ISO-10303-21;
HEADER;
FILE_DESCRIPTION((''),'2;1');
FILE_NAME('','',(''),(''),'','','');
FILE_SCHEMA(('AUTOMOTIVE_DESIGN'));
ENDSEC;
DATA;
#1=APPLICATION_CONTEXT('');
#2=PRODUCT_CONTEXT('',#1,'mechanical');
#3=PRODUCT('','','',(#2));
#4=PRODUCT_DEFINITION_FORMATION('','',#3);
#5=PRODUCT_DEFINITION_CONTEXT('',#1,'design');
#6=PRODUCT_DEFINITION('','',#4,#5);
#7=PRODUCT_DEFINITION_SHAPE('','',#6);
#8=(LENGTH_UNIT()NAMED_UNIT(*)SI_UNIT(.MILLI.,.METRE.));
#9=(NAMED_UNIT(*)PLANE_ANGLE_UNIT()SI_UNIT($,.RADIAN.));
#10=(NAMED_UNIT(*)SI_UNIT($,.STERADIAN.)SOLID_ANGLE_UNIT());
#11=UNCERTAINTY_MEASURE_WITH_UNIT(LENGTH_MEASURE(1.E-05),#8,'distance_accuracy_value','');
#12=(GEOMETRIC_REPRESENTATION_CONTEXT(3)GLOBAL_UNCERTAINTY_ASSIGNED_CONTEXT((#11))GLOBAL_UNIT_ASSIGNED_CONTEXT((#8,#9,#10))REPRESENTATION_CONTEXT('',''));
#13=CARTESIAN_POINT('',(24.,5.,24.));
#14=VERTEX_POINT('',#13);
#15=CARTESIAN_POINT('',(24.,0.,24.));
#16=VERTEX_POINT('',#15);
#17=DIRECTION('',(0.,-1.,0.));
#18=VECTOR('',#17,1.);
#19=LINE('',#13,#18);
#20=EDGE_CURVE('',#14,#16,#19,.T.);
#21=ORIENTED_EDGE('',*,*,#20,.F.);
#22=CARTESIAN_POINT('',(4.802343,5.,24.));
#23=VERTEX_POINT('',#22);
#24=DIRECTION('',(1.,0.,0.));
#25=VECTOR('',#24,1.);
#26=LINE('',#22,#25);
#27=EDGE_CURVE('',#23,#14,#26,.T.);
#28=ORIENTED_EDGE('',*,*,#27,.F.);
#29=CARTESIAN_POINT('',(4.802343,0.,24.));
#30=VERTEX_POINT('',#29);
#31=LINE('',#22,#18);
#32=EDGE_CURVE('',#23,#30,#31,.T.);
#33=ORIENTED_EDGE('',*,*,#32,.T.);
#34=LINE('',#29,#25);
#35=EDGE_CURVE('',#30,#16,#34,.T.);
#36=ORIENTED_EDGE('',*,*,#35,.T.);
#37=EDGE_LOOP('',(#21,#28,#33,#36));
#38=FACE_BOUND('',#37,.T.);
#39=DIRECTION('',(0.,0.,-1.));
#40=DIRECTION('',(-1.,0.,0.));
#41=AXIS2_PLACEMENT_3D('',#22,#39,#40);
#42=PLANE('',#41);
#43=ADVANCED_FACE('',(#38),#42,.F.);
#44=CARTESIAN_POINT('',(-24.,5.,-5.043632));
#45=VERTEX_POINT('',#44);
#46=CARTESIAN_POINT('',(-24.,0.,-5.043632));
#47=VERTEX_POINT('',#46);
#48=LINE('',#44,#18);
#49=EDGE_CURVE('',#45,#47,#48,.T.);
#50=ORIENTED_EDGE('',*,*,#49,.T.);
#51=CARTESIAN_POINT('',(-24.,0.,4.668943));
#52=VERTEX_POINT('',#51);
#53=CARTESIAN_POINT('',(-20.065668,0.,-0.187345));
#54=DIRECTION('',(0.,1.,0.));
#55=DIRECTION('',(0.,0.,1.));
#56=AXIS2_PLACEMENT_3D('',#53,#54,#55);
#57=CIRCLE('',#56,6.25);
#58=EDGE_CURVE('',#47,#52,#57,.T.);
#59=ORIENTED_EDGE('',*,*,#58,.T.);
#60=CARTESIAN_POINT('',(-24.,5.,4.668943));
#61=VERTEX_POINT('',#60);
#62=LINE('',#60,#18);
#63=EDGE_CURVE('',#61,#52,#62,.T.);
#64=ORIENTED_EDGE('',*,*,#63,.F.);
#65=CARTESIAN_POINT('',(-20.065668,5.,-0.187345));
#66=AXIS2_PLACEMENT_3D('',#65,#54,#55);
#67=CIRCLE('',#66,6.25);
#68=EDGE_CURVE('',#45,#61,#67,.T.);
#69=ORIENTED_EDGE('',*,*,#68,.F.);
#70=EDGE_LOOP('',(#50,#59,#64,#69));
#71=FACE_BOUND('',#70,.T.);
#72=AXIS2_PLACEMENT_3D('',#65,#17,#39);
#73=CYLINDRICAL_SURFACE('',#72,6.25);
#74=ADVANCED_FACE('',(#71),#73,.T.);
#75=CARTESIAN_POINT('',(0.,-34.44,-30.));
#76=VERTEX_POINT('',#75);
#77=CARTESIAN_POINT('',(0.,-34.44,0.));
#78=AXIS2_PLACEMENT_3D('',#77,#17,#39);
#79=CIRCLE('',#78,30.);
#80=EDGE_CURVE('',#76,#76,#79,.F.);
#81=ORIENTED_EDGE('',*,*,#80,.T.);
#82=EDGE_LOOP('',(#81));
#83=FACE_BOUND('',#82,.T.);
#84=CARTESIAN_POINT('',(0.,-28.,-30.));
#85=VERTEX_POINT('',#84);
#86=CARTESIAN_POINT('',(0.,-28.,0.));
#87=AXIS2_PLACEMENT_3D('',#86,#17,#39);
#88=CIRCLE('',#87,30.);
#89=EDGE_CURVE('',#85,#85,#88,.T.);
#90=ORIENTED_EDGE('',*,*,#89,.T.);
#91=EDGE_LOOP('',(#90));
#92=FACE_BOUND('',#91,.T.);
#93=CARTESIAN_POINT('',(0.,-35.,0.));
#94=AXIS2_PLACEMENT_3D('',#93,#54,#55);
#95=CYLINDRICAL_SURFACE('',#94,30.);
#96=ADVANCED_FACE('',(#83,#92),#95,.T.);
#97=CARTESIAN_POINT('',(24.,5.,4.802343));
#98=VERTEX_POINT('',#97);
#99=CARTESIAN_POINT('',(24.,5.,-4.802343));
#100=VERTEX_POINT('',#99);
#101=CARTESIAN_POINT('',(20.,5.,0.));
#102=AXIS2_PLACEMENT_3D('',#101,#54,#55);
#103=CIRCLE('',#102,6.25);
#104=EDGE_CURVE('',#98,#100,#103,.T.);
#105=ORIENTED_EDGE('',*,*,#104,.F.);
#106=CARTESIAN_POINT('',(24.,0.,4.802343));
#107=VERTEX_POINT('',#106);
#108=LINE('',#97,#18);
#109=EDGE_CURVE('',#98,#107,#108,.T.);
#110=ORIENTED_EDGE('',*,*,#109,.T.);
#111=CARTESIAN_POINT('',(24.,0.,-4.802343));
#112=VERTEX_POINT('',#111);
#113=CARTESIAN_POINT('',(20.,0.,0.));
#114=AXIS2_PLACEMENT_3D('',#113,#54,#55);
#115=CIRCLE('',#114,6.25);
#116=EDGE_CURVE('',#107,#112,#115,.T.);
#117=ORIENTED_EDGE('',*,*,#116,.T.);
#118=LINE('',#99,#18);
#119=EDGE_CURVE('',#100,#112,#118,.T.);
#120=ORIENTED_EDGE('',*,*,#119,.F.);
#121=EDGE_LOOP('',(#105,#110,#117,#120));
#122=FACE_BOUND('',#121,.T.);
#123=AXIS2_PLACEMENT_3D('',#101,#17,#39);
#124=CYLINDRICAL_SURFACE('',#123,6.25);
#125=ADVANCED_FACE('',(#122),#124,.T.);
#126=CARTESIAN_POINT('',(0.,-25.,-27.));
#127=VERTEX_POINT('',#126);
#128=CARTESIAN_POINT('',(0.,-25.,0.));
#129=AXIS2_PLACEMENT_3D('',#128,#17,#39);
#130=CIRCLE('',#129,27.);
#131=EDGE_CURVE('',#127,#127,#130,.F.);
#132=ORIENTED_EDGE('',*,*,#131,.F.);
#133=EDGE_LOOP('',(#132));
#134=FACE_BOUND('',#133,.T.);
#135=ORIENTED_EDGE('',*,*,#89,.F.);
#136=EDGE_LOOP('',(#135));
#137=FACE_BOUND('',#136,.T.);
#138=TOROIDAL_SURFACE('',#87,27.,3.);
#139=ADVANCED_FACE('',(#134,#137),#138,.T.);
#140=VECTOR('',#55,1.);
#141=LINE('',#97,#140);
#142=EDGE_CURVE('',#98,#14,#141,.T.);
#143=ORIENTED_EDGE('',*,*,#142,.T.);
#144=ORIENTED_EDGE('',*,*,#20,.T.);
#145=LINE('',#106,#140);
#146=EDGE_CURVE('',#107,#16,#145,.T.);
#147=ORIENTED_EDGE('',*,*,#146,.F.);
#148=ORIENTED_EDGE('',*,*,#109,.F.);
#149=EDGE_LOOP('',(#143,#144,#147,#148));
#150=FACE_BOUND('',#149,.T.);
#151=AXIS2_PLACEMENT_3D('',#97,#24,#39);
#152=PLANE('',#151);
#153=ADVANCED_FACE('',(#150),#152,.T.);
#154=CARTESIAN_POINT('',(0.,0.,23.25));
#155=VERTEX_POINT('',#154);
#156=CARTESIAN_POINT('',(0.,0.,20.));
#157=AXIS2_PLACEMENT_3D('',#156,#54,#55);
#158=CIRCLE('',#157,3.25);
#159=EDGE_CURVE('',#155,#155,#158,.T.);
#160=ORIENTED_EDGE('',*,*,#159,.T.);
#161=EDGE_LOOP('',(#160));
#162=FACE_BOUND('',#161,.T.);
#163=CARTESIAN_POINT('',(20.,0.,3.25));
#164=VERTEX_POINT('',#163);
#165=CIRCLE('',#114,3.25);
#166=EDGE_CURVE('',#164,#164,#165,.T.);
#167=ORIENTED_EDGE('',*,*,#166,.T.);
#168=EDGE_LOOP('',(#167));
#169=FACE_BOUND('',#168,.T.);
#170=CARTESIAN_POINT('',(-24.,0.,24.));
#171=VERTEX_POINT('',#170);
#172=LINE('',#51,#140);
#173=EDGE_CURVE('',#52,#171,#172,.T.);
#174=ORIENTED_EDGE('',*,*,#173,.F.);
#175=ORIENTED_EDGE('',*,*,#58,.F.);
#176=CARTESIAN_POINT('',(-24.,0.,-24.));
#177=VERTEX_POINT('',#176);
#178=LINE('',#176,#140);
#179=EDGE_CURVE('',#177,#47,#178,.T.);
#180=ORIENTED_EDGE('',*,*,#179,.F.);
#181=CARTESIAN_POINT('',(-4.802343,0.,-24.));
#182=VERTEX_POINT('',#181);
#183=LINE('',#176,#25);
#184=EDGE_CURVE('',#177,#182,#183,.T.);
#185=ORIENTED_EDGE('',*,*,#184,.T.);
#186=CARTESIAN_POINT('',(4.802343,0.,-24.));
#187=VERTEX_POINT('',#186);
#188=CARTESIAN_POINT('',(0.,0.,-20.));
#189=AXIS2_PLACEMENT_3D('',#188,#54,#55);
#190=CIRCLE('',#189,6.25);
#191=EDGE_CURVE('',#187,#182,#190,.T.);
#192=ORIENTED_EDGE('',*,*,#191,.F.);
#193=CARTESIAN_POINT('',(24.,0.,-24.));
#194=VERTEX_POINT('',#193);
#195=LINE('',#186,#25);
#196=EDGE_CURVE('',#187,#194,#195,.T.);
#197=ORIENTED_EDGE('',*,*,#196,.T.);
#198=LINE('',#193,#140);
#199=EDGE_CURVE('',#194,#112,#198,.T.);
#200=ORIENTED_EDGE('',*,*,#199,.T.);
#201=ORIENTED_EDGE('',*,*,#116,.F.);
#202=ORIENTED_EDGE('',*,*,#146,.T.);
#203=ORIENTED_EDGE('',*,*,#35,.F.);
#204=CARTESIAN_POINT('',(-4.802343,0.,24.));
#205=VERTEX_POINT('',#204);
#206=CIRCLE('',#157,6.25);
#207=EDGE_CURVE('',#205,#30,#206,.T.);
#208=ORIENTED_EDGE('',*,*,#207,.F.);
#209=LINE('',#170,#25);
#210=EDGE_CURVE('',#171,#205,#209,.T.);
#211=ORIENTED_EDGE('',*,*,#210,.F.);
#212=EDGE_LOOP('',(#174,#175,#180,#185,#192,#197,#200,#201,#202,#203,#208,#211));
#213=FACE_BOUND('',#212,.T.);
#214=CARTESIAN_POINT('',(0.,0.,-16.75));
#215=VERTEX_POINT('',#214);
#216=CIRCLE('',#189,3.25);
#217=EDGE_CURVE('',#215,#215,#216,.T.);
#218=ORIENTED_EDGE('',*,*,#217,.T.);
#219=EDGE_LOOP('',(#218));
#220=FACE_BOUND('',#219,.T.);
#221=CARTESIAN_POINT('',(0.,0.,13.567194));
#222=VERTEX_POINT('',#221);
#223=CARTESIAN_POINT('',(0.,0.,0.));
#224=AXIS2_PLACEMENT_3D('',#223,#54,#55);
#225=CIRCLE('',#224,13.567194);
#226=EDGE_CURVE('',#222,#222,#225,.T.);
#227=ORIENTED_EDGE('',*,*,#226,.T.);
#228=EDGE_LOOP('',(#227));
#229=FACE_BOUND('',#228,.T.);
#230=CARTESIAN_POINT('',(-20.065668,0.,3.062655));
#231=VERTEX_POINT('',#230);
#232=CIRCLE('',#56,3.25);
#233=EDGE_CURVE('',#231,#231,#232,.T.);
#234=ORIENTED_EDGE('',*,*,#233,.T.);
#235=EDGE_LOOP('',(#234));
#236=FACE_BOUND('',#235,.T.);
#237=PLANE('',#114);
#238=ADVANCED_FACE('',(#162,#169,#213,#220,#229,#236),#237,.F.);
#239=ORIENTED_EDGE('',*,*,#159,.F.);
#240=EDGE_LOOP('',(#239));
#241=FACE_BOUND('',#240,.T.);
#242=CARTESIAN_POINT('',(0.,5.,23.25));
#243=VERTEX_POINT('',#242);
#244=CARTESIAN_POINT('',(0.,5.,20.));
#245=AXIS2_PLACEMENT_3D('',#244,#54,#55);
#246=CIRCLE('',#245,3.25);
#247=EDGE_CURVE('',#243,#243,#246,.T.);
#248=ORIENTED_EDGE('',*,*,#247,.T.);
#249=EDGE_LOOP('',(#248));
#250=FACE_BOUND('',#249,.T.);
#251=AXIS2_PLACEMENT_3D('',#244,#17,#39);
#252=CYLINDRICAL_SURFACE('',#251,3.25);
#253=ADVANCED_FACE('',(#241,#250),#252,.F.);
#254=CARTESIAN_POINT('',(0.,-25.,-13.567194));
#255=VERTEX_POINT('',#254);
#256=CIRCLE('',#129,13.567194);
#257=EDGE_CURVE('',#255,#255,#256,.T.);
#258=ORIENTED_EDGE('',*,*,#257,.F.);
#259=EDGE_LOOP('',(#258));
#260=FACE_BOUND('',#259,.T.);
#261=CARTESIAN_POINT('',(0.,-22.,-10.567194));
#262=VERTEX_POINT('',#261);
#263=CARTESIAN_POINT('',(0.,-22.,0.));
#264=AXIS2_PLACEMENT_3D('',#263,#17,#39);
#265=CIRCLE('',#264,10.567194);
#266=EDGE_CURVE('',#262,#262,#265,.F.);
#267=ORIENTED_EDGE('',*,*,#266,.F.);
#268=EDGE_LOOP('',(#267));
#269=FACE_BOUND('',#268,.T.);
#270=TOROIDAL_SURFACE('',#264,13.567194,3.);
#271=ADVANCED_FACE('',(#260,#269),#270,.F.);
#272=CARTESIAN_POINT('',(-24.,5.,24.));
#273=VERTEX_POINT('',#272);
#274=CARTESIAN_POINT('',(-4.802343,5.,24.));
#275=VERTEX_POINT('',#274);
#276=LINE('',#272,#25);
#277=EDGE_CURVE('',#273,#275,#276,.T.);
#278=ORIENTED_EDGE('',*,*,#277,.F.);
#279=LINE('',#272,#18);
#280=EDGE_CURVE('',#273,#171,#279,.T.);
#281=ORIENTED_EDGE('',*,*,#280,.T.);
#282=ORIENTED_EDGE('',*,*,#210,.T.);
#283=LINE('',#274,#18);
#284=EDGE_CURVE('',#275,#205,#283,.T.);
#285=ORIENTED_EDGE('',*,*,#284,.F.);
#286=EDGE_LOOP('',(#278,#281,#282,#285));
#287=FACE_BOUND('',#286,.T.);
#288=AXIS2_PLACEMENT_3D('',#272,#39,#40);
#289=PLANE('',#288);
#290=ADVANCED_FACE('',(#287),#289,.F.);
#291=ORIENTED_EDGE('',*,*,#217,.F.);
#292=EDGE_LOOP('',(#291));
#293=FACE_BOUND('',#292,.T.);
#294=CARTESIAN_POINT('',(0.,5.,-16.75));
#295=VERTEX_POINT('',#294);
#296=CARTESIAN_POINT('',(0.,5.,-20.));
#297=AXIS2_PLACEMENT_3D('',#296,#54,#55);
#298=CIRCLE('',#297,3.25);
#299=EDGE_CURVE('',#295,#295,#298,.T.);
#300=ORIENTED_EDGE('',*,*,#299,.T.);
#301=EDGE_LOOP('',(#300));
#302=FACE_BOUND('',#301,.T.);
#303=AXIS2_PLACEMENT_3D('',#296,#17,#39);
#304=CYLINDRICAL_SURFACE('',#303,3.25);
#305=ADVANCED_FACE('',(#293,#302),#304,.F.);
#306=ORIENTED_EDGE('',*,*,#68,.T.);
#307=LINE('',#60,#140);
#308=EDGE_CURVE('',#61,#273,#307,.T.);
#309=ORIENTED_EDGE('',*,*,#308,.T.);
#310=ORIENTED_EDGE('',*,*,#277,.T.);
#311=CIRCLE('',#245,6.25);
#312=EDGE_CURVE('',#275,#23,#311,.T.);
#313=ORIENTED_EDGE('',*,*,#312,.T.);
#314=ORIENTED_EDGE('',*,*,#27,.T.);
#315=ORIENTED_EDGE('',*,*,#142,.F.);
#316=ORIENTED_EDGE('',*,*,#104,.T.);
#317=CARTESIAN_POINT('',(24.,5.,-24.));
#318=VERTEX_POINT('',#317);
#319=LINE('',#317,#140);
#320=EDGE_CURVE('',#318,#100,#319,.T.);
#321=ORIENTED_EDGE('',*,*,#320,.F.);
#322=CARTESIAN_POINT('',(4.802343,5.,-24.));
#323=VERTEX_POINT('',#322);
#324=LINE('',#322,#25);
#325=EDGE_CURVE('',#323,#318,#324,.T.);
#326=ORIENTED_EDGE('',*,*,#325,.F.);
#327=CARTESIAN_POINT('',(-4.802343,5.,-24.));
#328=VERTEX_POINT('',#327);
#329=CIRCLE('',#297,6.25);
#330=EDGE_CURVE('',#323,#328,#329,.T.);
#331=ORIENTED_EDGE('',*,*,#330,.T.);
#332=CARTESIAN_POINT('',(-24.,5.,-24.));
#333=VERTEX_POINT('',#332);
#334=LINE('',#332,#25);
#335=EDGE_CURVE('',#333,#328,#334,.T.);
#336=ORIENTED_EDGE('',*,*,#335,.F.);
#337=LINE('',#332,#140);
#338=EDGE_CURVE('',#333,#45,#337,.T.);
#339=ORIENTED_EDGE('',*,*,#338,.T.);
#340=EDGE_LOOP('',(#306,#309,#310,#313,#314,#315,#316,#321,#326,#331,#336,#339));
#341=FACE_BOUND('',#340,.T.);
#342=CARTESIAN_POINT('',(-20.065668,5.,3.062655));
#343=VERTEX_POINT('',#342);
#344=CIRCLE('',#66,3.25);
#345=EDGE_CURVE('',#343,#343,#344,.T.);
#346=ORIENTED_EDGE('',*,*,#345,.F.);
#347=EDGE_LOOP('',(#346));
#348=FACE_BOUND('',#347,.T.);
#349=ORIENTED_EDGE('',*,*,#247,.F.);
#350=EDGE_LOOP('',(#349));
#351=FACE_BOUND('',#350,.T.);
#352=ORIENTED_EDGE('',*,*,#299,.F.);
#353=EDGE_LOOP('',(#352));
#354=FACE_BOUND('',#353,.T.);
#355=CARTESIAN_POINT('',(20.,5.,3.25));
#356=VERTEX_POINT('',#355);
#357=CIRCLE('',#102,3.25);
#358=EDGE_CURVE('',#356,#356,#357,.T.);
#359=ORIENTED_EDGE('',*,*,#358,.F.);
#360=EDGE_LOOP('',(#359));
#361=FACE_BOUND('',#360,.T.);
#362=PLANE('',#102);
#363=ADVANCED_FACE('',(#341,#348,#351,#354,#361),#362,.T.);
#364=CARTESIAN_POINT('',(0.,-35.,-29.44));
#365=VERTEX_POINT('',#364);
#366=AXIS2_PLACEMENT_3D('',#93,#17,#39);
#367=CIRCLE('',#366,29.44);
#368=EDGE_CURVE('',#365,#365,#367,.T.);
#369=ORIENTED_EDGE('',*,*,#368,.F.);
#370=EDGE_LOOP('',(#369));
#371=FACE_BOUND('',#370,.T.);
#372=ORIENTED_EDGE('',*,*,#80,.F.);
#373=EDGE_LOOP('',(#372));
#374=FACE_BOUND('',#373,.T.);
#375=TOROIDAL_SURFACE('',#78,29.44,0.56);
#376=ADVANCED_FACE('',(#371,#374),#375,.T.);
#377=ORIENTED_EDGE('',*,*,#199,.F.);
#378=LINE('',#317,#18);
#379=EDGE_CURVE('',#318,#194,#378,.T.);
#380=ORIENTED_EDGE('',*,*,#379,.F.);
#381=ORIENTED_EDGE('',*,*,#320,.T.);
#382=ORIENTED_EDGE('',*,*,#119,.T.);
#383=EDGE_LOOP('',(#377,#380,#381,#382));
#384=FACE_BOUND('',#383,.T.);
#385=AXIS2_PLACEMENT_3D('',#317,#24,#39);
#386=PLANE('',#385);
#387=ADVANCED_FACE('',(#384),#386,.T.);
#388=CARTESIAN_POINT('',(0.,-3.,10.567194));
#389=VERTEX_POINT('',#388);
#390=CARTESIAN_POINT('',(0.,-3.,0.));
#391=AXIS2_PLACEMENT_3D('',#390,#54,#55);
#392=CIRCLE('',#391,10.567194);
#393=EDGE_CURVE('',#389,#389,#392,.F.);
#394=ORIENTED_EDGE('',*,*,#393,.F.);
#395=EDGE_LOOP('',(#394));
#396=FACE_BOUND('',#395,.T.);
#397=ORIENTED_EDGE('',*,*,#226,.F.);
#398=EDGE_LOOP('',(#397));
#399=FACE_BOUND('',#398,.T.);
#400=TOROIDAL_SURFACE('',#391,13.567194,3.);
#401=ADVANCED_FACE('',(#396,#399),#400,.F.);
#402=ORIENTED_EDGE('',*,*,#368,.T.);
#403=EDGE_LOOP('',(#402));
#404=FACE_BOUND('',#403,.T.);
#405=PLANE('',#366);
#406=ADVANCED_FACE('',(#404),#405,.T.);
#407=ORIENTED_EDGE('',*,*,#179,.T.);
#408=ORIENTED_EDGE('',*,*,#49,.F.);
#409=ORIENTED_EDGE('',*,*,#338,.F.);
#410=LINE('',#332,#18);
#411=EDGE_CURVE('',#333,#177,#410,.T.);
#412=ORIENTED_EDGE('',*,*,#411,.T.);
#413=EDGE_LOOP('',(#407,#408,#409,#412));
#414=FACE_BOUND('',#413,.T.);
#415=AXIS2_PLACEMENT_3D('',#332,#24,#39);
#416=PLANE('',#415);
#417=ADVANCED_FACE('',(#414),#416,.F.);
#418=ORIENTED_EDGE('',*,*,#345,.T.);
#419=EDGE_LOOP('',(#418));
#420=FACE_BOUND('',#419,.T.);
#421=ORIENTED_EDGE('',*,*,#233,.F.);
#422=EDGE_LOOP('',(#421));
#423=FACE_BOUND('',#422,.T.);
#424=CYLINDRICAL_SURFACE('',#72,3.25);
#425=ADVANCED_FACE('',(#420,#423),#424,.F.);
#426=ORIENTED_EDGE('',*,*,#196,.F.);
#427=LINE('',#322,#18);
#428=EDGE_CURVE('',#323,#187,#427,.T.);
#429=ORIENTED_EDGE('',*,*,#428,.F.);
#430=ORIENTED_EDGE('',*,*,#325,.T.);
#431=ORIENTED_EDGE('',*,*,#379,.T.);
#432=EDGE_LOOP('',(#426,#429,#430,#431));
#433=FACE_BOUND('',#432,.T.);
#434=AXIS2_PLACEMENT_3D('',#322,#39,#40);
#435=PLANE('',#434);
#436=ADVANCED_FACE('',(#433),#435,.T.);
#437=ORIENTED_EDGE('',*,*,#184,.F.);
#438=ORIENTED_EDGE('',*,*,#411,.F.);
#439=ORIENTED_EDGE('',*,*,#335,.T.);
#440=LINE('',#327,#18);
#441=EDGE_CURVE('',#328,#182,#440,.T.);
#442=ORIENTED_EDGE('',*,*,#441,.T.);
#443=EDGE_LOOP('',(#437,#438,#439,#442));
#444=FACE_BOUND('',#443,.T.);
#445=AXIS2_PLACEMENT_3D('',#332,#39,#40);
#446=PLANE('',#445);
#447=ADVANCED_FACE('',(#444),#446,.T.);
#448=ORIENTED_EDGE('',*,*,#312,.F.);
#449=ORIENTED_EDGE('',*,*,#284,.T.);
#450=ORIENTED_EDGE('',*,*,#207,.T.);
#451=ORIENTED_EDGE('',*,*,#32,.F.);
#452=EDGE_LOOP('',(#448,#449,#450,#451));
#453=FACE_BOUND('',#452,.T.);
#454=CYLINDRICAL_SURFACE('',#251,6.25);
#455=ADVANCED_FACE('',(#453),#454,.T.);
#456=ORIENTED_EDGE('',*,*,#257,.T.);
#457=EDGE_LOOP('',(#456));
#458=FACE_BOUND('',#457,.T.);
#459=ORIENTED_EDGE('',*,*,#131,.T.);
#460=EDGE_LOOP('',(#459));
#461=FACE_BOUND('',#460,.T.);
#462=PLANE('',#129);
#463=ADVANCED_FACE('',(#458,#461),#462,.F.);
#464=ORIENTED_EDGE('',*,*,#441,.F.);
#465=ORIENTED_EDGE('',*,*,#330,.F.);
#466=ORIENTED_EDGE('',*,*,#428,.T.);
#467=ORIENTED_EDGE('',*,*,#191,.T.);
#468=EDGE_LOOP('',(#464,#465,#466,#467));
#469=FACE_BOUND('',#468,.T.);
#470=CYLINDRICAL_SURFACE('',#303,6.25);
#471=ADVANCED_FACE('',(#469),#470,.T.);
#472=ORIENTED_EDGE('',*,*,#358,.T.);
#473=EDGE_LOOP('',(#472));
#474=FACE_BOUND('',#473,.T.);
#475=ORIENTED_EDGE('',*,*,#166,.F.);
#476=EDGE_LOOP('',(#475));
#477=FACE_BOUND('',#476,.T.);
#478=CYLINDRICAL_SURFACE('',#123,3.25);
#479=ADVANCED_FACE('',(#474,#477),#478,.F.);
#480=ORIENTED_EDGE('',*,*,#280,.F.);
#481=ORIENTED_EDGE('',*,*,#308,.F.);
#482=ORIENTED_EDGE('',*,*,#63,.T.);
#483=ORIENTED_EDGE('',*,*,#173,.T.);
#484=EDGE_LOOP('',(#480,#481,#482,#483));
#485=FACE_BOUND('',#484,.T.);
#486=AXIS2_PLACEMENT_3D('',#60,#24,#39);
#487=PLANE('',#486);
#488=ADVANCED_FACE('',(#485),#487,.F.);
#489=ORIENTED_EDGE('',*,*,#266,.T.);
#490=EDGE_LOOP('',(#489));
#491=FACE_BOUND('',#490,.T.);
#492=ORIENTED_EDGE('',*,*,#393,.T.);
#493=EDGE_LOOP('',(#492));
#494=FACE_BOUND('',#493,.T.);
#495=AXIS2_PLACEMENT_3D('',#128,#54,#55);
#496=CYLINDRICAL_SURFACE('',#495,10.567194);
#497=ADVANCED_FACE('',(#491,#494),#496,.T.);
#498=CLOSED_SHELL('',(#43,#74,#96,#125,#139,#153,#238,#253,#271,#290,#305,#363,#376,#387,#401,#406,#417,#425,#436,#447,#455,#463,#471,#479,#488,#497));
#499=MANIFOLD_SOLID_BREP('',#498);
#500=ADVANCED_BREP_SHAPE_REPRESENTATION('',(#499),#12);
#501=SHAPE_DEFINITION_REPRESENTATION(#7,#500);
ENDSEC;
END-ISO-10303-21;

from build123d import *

# Parameters (mm, degrees)
SKETCH1_R           = 3.25
BOSS_EXTRUDE1_DEPTH = 5
SKETCH2_W           = 32.64938716
SKETCH2_H           = 32.90693226
BOSS_EXTRUDE2_DEPTH = 5
SKETCH3_R           = 10.567193536
BOSS_EXTRUDE3_DEPTH = 25
SKETCH4_R           = 30
BOSS_EXTRUDE4_DEPTH = 10
FILLET1_R           = 3
FILLET2_R           = 0.56
FILLET3_R           = 3


with BuildPart() as part:
    # Sketch1 → Boss-Extrude1 (new body)
    with BuildSketch(Plane(origin=(0, 0, 0), x_dir=(1, 0, 0), z_dir=(0, 1, 0))):
        with BuildLine():
            Line((-24, -4.668943148), (-24, -24))
            Line((-24, -24), (-4.802343178, -24))
            ThreePointArc((-4.802343178, -24), (0, -26.25), (4.802343178, -24))
            Line((4.802343178, -24), (24, -24))
            Line((24, -24), (24, -4.802343178))
            ThreePointArc((24, -4.802343178), (26.25, 0), (24, 4.802343178))
            Line((24, 4.802343178), (24, 24))
            Line((24, 24), (4.802343178, 24))
            ThreePointArc((4.802343178, 24), (0, 26.25), (-4.802343178, 24))
            Line((-4.802343178, 24), (-24, 24))
            Line((-24, 24), (-24, 5.04363247))
            ThreePointArc((-24, 5.04363247), (-26.315667945, 0.187344661), (-24, -4.668943148))
        make_face()
        with Locations(Location((-20.065667945, 0.187344661, 0), (0, 0, 270))):
            Circle(SKETCH1_R, mode=Mode.SUBTRACT)
        with Locations(Location((0, 20, 0), (0, 0, 270))):
            Circle(SKETCH1_R, mode=Mode.SUBTRACT)
        with Locations(Location((20, 0, 0), (0, 0, 270))):
            Circle(SKETCH1_R, mode=Mode.SUBTRACT)
        with Locations(Location((0, -20, 0), (0, 0, 270))):
            Circle(SKETCH1_R, mode=Mode.SUBTRACT)
        with BuildLine():
            Line((-16, 16), (-4.802343178, 16))
            ThreePointArc((-4.802343178, 16), (0, 13.75), (4.802343178, 16))
            Line((4.802343178, 16), (16, 16))
            Line((16, 16), (16, 4.802343178))
            ThreePointArc((16, 4.802343178), (13.75, 0), (16, -4.802343178))
            Line((16, -4.802343178), (16, -16))
            Line((16, -16), (4.802343178, -16))
            ThreePointArc((4.802343178, -16), (0, -13.75), (-4.802343178, -16))
            Line((-4.802343178, -16), (-16, -16))
            Line((-16, -16), (-16, -4.559532645))
            ThreePointArc((-16, -4.559532645), (-13.815667945, 0.187344661), (-16, 4.934221967))
            Line((-16, 4.934221967), (-16, 16))
        make_face(mode=Mode.SUBTRACT)
    extrude(amount=BOSS_EXTRUDE1_DEPTH)

    # Sketch2 → Boss-Extrude2 (add)
    with BuildSketch(Plane.XZ):
        Rectangle(SKETCH2_W, SKETCH2_H)
    extrude(amount=-BOSS_EXTRUDE2_DEPTH)

    # Sketch3 → Boss-Extrude3 (add)
    with BuildSketch(Plane(origin=(0, 0, 0), x_dir=(-1, 0, 0), z_dir=(0, -1, 0))):
        with Locations(Location((0, 0, 0), (0, 0, 270))):
            Circle(SKETCH3_R)
    extrude(amount=BOSS_EXTRUDE3_DEPTH)

    # Sketch4 → Boss-Extrude4 (add)
    with BuildSketch(Plane(origin=(0, -25, 0), x_dir=(-1, 0, 0), z_dir=(0, -1, 0))):
        with Locations(Location((0, 0, 0), (0, 0, 90))):
            Circle(SKETCH4_R)
    extrude(amount=BOSS_EXTRUDE4_DEPTH)

    # Fillet1
    fillet1_edges = [part.edges().sort_by_distance(p)[0] for p in [
        (0, 0, -10.567193536),
    ]]
    fillet(fillet1_edges, radius=FILLET1_R)

    # Fillet2
    fillet2_edges = [part.edges().sort_by_distance(p)[0] for p in [
        (0, -35, 30),
    ]]
    fillet(fillet2_edges, radius=FILLET2_R)

    # Fillet3
    fillet3_edges = [part.edges().sort_by_distance(p)[0] for p in [
        (0, -25, -10.567193536),
        (0, -25, 30),
    ]]
    fillet(fillet3_edges, radius=FILLET3_R)


solid = part.part
